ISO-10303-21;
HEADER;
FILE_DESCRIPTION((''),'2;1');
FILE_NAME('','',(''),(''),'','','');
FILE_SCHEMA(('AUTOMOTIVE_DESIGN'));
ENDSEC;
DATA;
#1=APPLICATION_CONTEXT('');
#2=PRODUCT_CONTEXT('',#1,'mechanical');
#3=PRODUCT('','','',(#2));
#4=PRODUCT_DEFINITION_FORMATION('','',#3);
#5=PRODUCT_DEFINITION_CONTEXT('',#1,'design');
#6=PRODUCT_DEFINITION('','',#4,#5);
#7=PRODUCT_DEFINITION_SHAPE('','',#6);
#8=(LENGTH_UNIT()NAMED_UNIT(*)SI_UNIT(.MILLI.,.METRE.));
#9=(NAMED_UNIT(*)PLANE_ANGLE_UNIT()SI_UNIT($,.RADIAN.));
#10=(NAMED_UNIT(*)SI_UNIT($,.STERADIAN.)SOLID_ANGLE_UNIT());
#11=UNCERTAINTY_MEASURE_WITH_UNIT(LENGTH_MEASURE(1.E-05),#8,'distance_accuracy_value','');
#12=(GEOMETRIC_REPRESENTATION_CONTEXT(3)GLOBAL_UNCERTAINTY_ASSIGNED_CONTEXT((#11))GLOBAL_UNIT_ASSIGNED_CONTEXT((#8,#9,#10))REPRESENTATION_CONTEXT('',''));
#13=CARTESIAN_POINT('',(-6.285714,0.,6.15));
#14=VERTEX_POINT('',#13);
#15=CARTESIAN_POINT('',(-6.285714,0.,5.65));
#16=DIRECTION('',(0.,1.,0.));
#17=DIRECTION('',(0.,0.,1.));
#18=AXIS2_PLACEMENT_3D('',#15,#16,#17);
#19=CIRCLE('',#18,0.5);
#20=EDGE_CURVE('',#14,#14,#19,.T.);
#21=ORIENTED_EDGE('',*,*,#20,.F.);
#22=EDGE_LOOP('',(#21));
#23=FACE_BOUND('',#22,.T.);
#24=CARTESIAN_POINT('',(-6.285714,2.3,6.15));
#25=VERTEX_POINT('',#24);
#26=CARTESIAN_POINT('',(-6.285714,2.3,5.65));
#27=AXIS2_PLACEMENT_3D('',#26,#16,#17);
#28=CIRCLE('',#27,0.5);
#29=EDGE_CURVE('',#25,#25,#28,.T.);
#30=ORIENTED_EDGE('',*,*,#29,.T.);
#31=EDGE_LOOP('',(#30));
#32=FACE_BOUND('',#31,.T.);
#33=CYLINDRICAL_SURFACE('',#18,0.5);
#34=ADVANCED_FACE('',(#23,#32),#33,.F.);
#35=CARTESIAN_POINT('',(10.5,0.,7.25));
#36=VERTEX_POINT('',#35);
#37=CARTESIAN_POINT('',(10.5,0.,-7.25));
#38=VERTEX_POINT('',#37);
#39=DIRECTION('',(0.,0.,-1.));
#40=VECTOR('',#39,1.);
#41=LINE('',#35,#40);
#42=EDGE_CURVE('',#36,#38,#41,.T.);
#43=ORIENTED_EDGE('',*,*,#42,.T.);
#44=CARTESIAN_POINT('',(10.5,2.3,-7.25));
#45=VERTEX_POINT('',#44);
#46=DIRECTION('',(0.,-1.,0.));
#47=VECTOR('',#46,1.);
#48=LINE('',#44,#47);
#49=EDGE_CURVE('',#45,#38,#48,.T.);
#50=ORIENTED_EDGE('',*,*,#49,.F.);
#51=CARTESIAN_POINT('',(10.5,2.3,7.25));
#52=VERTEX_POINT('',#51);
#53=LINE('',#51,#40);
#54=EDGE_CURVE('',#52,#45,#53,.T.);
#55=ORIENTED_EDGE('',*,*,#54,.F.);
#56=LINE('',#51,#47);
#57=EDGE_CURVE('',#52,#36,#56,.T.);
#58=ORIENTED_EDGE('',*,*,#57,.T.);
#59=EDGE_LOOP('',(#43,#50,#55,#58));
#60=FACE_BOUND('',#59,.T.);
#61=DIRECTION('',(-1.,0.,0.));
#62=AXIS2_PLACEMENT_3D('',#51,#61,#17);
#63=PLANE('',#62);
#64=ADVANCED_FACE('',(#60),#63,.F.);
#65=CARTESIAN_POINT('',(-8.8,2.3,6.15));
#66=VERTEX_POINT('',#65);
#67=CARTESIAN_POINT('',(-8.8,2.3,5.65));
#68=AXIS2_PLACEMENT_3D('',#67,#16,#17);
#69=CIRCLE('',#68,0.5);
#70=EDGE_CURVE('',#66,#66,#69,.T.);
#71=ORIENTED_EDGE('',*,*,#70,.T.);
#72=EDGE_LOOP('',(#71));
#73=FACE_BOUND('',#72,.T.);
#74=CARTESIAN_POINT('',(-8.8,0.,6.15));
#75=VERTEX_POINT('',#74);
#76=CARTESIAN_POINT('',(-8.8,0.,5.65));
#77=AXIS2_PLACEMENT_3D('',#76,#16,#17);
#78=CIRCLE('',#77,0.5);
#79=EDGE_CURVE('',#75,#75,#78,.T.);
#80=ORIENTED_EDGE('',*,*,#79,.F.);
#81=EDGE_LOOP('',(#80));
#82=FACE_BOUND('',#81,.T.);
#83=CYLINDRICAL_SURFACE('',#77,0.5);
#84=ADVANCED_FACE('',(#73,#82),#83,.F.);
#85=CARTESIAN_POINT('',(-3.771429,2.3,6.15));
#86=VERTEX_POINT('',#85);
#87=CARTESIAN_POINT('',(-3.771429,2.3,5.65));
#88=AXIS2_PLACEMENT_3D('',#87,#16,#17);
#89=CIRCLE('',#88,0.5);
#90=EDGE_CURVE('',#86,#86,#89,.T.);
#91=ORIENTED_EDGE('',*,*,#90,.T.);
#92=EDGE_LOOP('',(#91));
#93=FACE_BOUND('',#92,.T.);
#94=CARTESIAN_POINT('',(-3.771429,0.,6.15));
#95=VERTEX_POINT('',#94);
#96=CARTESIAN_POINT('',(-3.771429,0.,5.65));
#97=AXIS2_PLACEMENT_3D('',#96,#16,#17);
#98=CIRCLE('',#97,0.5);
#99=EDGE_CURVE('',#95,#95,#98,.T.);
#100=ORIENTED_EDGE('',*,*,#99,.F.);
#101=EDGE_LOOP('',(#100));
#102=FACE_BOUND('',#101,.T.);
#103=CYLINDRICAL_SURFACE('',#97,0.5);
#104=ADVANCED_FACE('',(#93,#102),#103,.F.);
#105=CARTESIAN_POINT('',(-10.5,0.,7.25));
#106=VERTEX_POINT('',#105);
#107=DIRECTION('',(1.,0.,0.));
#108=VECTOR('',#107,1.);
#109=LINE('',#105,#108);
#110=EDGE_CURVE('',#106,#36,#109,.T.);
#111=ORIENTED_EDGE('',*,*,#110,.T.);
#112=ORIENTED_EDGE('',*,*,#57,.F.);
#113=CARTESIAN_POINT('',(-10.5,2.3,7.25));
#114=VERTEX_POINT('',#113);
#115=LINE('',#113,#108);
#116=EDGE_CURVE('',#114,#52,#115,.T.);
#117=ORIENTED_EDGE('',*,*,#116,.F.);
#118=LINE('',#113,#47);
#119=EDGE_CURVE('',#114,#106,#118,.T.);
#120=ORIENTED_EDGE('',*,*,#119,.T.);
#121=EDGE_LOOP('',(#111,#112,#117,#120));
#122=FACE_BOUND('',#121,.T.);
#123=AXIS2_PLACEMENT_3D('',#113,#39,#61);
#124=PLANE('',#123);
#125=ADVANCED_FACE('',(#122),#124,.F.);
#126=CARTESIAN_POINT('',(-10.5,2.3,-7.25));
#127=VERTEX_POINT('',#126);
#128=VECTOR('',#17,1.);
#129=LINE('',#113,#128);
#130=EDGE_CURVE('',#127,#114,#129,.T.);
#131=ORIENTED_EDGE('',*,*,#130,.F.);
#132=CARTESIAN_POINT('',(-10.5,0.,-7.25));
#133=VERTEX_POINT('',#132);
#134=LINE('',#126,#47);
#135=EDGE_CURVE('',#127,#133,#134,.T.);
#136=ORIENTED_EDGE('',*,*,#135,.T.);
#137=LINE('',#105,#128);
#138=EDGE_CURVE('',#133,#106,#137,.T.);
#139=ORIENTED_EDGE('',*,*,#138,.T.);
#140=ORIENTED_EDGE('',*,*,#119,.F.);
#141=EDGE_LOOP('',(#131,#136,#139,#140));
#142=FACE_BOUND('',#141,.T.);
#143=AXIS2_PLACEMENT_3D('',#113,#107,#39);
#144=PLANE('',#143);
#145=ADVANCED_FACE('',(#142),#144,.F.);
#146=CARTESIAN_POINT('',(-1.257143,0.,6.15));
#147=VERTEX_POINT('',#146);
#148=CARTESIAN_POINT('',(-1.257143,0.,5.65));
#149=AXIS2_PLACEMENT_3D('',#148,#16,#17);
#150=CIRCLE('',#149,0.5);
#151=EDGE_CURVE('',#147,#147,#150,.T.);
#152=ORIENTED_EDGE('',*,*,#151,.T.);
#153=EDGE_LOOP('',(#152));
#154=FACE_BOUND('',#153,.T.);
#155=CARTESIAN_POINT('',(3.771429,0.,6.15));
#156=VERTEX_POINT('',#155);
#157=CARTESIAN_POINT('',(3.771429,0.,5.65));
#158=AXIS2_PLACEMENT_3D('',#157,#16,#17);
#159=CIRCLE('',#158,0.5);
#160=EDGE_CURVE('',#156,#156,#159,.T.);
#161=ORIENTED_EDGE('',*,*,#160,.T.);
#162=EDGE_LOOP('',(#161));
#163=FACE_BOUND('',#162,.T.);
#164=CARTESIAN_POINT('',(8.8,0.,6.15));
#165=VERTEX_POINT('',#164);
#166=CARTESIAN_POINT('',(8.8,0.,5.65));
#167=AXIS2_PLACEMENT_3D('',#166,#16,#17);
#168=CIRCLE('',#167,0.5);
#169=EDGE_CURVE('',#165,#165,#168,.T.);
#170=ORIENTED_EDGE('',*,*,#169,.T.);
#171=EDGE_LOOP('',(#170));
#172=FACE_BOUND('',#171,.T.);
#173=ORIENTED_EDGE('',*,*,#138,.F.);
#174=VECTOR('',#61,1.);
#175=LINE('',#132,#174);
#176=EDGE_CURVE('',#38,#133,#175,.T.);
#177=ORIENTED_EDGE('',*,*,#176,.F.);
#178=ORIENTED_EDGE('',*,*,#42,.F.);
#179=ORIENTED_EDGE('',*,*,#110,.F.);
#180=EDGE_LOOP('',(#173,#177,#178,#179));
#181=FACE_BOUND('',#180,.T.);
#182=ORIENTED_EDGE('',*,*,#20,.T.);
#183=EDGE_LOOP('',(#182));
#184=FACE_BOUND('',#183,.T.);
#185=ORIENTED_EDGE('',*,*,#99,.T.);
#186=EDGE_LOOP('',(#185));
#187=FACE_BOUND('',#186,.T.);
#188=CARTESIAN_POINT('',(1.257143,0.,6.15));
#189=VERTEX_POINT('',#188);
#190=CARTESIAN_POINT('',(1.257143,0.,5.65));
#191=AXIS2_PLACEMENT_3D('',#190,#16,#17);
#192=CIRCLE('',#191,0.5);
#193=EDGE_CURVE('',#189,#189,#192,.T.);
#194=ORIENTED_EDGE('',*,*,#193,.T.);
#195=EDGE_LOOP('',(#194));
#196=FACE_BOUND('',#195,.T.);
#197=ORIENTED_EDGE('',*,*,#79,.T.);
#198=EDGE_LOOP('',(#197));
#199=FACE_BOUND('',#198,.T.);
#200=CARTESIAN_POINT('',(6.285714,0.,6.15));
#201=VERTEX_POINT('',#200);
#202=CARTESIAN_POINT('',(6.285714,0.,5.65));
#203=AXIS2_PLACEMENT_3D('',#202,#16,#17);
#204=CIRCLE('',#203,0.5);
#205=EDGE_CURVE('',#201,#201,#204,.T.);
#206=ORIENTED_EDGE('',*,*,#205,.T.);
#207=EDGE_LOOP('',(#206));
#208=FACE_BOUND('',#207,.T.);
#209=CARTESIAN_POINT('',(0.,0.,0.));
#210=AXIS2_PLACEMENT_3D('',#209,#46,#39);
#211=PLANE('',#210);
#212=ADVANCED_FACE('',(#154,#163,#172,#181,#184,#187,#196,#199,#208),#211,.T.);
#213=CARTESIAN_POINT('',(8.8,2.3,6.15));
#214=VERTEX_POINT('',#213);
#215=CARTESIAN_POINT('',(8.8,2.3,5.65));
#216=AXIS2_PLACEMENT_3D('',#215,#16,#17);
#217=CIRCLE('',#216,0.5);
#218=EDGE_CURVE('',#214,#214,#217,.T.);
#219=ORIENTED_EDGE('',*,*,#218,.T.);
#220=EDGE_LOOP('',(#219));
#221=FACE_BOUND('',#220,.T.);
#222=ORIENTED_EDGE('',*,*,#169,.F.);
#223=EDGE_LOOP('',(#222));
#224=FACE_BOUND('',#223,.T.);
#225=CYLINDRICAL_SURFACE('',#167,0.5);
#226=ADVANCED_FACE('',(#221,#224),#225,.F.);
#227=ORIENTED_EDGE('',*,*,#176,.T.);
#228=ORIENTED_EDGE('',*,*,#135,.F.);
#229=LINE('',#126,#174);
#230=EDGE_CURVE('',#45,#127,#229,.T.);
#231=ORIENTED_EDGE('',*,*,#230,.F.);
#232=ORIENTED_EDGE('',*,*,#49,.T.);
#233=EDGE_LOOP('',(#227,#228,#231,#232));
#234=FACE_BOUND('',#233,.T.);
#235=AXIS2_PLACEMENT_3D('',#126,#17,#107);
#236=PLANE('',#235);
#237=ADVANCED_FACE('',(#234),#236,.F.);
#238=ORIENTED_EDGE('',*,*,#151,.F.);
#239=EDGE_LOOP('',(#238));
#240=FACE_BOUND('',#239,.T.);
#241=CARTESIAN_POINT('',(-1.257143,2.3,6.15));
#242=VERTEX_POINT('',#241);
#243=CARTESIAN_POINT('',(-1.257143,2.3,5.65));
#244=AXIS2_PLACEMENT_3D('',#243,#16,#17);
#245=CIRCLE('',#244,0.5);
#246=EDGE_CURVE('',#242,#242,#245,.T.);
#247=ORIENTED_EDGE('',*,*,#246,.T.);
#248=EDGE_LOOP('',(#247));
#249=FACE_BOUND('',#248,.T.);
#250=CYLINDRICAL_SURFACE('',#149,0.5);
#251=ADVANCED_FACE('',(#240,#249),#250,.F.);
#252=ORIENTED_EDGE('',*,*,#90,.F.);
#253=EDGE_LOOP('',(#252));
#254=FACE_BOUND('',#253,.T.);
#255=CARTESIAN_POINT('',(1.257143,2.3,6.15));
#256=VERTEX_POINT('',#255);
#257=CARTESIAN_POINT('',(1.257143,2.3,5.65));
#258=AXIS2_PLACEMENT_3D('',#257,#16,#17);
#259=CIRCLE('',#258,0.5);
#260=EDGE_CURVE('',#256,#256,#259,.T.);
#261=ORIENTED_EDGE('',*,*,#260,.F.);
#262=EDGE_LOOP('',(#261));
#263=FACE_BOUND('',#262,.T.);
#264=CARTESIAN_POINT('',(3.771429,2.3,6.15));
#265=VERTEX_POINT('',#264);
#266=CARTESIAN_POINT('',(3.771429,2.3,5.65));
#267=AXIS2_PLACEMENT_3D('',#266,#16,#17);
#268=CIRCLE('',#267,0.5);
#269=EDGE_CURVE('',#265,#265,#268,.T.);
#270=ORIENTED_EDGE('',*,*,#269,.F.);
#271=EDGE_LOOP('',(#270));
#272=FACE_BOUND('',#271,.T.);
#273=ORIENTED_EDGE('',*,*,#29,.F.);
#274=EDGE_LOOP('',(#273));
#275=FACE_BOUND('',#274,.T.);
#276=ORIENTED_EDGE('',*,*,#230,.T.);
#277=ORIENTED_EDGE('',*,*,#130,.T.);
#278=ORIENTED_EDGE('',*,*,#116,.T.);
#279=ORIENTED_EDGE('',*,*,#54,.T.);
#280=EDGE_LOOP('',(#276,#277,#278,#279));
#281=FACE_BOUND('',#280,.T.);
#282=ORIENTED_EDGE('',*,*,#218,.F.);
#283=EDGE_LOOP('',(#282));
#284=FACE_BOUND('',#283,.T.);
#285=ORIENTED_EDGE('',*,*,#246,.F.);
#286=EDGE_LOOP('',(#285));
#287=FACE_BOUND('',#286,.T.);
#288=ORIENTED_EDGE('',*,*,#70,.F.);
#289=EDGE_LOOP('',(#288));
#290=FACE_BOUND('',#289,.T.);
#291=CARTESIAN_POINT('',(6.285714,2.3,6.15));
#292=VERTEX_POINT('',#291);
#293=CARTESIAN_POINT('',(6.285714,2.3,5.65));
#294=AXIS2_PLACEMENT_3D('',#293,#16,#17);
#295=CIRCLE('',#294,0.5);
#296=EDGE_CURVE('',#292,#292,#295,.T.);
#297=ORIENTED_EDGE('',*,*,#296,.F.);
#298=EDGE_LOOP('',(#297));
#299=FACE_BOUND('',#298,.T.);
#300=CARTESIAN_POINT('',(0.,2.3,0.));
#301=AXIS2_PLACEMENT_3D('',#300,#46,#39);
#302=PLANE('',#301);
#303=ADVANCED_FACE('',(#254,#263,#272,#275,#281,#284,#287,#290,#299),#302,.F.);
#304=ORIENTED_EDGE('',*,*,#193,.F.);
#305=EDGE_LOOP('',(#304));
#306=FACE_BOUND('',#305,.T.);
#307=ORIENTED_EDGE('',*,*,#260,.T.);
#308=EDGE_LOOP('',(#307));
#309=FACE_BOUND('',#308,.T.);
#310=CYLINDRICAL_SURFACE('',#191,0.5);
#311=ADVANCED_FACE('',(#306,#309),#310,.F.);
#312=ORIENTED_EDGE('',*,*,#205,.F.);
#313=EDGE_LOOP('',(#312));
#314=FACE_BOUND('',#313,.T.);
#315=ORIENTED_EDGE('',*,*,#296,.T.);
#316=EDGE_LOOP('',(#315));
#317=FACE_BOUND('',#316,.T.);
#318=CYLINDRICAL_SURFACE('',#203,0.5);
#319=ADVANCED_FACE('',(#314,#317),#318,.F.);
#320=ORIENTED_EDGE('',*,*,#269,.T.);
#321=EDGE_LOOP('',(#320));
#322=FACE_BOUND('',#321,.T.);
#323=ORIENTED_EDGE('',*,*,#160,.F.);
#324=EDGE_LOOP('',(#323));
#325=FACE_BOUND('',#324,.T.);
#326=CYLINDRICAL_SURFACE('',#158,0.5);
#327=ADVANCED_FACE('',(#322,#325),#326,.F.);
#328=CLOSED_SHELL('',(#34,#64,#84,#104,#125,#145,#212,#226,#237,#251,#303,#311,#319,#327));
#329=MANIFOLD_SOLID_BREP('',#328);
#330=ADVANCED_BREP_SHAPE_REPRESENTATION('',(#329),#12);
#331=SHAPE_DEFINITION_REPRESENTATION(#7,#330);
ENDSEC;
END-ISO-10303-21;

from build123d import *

# Parameters (mm, degrees)
SKETCH_1_W          = 21
SKETCH_1_H          = 14.5
EXTRUDE_1_DEPTH     = 2.3
SKETCH_2_R          = 0.5
CUT_EXTRUDE_1_DEPTH = 13.965434817


with BuildPart() as part:
    # Эскиз1 → Бобышка-Вытянуть1 (new body)
    with BuildSketch(Plane(origin=(0, 0, 0), x_dir=(1, 0, 0), z_dir=(0, 1, 0))):
        Rectangle(SKETCH_1_W, SKETCH_1_H)
    extrude(amount=EXTRUDE_1_DEPTH)

    # Эскиз2 → Вырез-Вытянуть1 (cut, through all)
    with BuildSketch(Plane(origin=(0, 2.3, 0), x_dir=(1, 0, 0), z_dir=(0, 1, 0))):
        with Locations(Location((-8.8, -5.65, 0), (0, 0, 270))):
            Circle(SKETCH_2_R)
        with Locations(Location((-6.285714286, -5.65, 0), (0, 0, 270))):
            Circle(SKETCH_2_R)
        with Locations(Location((-3.771428571, -5.65, 0), (0, 0, 270))):
            Circle(SKETCH_2_R)
        with Locations(Location((-1.257142857, -5.65, 0), (0, 0, 270))):
            Circle(SKETCH_2_R)
        with Locations(Location((1.257142857, -5.65, 0), (0, 0, 270))):
            Circle(SKETCH_2_R)
        with Locations(Location((3.771428571, -5.65, 0), (0, 0, 270))):
            Circle(SKETCH_2_R)
        with Locations(Location((6.285714286, -5.65, 0), (0, 0, 270))):
            Circle(SKETCH_2_R)
        with Locations(Location((8.8, -5.65, 0), (0, 0, 270))):
            Circle(SKETCH_2_R)
    extrude(amount=-CUT_EXTRUDE_1_DEPTH, mode=Mode.SUBTRACT)


solid = part.part
